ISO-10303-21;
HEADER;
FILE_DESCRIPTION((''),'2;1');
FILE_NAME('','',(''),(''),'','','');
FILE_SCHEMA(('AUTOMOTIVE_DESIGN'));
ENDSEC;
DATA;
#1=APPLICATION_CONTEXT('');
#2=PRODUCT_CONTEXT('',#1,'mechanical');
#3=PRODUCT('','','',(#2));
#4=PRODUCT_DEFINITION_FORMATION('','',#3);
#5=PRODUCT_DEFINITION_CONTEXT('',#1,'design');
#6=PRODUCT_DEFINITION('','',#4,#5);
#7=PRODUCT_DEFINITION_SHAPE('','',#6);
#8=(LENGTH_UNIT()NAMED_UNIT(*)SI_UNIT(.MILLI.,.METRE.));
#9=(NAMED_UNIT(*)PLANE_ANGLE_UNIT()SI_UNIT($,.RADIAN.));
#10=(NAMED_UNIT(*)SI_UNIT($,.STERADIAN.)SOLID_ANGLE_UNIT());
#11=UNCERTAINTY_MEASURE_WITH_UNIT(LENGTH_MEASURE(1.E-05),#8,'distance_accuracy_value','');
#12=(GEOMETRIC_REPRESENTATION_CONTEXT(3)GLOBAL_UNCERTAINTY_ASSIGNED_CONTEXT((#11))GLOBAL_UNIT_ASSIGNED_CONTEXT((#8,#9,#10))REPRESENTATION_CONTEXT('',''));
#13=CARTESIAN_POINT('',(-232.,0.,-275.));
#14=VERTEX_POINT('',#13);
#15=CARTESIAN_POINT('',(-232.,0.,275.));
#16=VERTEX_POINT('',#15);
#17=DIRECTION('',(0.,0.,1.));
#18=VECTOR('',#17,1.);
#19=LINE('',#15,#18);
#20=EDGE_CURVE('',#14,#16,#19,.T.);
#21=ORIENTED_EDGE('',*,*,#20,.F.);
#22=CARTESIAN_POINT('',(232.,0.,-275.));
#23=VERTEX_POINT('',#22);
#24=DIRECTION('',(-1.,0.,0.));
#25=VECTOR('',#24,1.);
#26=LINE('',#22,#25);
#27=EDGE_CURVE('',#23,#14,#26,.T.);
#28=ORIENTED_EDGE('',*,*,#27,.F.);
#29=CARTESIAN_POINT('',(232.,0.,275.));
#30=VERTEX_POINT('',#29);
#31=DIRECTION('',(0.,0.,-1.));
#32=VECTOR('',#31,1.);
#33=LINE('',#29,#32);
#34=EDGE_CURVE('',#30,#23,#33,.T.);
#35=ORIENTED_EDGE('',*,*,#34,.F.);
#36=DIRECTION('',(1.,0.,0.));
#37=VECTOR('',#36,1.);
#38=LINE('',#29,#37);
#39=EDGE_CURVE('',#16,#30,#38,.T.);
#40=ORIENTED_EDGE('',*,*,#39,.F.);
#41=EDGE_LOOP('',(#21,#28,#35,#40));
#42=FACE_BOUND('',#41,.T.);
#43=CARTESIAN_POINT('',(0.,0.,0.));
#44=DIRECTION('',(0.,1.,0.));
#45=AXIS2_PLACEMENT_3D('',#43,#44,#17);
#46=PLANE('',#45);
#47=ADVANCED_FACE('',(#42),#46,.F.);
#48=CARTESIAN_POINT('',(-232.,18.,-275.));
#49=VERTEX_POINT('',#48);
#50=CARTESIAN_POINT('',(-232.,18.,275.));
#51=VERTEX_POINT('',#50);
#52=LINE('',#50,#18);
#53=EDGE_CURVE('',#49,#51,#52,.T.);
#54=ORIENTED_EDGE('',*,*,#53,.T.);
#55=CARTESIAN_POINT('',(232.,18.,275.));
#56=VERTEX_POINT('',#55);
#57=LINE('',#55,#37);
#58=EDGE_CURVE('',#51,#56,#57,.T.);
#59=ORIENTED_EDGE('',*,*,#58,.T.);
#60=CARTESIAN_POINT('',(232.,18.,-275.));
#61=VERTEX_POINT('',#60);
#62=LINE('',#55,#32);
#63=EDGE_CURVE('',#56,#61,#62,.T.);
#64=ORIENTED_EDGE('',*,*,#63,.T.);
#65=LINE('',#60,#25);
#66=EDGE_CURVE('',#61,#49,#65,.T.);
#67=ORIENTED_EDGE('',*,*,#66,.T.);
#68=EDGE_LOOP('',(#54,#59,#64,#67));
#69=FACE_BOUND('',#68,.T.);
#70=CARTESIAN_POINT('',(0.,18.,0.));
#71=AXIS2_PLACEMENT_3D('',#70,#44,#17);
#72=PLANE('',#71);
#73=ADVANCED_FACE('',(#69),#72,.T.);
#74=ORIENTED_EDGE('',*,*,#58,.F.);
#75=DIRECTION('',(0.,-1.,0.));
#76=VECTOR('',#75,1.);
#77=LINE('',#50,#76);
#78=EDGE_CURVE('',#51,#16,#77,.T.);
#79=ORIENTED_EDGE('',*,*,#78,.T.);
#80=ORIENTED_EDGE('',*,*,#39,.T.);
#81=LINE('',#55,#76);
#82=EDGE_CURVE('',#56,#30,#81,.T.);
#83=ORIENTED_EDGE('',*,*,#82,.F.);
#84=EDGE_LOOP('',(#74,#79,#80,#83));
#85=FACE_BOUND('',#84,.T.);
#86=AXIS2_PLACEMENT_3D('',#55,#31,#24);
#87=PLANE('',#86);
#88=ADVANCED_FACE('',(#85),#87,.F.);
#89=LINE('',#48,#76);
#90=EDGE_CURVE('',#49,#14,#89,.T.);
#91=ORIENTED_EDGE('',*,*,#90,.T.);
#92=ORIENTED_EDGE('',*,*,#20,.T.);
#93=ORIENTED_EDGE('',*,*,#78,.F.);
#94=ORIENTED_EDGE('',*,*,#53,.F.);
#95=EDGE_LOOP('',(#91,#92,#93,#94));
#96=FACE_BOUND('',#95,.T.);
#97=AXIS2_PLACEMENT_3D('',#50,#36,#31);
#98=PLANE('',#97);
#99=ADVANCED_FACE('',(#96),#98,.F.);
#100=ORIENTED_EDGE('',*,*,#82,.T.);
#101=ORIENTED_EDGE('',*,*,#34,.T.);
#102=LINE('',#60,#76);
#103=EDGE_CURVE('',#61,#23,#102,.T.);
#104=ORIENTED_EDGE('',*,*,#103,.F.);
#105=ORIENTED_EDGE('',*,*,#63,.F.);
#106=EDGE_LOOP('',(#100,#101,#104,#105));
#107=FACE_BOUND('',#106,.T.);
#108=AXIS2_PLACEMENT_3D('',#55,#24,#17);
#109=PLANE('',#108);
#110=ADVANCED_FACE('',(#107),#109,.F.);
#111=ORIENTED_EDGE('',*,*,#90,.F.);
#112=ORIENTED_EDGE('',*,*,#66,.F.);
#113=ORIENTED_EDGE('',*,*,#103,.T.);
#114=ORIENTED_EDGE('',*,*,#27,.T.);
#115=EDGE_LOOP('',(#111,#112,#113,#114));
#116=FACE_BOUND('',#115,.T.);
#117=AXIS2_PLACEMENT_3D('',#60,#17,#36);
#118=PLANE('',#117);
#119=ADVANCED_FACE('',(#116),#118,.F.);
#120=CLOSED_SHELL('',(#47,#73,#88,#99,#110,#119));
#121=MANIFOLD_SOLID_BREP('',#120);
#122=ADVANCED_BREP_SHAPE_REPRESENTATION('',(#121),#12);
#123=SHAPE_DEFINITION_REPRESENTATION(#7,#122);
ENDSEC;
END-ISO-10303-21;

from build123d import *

# Parameters (mm, degrees)
SKETCH_1_W      = 464
SKETCH_1_H      = 550
EXTRUDE_1_DEPTH = 18


with BuildPart() as part:
    # Эскиз1 → Бобышка-Вытянуть1 (new body)
    with BuildSketch(Plane(origin=(0, 0, 0), x_dir=(1, 0, 0), z_dir=(0, 1, 0))):
        Rectangle(SKETCH_1_W, SKETCH_1_H)
    extrude(amount=EXTRUDE_1_DEPTH)


solid = part.part
